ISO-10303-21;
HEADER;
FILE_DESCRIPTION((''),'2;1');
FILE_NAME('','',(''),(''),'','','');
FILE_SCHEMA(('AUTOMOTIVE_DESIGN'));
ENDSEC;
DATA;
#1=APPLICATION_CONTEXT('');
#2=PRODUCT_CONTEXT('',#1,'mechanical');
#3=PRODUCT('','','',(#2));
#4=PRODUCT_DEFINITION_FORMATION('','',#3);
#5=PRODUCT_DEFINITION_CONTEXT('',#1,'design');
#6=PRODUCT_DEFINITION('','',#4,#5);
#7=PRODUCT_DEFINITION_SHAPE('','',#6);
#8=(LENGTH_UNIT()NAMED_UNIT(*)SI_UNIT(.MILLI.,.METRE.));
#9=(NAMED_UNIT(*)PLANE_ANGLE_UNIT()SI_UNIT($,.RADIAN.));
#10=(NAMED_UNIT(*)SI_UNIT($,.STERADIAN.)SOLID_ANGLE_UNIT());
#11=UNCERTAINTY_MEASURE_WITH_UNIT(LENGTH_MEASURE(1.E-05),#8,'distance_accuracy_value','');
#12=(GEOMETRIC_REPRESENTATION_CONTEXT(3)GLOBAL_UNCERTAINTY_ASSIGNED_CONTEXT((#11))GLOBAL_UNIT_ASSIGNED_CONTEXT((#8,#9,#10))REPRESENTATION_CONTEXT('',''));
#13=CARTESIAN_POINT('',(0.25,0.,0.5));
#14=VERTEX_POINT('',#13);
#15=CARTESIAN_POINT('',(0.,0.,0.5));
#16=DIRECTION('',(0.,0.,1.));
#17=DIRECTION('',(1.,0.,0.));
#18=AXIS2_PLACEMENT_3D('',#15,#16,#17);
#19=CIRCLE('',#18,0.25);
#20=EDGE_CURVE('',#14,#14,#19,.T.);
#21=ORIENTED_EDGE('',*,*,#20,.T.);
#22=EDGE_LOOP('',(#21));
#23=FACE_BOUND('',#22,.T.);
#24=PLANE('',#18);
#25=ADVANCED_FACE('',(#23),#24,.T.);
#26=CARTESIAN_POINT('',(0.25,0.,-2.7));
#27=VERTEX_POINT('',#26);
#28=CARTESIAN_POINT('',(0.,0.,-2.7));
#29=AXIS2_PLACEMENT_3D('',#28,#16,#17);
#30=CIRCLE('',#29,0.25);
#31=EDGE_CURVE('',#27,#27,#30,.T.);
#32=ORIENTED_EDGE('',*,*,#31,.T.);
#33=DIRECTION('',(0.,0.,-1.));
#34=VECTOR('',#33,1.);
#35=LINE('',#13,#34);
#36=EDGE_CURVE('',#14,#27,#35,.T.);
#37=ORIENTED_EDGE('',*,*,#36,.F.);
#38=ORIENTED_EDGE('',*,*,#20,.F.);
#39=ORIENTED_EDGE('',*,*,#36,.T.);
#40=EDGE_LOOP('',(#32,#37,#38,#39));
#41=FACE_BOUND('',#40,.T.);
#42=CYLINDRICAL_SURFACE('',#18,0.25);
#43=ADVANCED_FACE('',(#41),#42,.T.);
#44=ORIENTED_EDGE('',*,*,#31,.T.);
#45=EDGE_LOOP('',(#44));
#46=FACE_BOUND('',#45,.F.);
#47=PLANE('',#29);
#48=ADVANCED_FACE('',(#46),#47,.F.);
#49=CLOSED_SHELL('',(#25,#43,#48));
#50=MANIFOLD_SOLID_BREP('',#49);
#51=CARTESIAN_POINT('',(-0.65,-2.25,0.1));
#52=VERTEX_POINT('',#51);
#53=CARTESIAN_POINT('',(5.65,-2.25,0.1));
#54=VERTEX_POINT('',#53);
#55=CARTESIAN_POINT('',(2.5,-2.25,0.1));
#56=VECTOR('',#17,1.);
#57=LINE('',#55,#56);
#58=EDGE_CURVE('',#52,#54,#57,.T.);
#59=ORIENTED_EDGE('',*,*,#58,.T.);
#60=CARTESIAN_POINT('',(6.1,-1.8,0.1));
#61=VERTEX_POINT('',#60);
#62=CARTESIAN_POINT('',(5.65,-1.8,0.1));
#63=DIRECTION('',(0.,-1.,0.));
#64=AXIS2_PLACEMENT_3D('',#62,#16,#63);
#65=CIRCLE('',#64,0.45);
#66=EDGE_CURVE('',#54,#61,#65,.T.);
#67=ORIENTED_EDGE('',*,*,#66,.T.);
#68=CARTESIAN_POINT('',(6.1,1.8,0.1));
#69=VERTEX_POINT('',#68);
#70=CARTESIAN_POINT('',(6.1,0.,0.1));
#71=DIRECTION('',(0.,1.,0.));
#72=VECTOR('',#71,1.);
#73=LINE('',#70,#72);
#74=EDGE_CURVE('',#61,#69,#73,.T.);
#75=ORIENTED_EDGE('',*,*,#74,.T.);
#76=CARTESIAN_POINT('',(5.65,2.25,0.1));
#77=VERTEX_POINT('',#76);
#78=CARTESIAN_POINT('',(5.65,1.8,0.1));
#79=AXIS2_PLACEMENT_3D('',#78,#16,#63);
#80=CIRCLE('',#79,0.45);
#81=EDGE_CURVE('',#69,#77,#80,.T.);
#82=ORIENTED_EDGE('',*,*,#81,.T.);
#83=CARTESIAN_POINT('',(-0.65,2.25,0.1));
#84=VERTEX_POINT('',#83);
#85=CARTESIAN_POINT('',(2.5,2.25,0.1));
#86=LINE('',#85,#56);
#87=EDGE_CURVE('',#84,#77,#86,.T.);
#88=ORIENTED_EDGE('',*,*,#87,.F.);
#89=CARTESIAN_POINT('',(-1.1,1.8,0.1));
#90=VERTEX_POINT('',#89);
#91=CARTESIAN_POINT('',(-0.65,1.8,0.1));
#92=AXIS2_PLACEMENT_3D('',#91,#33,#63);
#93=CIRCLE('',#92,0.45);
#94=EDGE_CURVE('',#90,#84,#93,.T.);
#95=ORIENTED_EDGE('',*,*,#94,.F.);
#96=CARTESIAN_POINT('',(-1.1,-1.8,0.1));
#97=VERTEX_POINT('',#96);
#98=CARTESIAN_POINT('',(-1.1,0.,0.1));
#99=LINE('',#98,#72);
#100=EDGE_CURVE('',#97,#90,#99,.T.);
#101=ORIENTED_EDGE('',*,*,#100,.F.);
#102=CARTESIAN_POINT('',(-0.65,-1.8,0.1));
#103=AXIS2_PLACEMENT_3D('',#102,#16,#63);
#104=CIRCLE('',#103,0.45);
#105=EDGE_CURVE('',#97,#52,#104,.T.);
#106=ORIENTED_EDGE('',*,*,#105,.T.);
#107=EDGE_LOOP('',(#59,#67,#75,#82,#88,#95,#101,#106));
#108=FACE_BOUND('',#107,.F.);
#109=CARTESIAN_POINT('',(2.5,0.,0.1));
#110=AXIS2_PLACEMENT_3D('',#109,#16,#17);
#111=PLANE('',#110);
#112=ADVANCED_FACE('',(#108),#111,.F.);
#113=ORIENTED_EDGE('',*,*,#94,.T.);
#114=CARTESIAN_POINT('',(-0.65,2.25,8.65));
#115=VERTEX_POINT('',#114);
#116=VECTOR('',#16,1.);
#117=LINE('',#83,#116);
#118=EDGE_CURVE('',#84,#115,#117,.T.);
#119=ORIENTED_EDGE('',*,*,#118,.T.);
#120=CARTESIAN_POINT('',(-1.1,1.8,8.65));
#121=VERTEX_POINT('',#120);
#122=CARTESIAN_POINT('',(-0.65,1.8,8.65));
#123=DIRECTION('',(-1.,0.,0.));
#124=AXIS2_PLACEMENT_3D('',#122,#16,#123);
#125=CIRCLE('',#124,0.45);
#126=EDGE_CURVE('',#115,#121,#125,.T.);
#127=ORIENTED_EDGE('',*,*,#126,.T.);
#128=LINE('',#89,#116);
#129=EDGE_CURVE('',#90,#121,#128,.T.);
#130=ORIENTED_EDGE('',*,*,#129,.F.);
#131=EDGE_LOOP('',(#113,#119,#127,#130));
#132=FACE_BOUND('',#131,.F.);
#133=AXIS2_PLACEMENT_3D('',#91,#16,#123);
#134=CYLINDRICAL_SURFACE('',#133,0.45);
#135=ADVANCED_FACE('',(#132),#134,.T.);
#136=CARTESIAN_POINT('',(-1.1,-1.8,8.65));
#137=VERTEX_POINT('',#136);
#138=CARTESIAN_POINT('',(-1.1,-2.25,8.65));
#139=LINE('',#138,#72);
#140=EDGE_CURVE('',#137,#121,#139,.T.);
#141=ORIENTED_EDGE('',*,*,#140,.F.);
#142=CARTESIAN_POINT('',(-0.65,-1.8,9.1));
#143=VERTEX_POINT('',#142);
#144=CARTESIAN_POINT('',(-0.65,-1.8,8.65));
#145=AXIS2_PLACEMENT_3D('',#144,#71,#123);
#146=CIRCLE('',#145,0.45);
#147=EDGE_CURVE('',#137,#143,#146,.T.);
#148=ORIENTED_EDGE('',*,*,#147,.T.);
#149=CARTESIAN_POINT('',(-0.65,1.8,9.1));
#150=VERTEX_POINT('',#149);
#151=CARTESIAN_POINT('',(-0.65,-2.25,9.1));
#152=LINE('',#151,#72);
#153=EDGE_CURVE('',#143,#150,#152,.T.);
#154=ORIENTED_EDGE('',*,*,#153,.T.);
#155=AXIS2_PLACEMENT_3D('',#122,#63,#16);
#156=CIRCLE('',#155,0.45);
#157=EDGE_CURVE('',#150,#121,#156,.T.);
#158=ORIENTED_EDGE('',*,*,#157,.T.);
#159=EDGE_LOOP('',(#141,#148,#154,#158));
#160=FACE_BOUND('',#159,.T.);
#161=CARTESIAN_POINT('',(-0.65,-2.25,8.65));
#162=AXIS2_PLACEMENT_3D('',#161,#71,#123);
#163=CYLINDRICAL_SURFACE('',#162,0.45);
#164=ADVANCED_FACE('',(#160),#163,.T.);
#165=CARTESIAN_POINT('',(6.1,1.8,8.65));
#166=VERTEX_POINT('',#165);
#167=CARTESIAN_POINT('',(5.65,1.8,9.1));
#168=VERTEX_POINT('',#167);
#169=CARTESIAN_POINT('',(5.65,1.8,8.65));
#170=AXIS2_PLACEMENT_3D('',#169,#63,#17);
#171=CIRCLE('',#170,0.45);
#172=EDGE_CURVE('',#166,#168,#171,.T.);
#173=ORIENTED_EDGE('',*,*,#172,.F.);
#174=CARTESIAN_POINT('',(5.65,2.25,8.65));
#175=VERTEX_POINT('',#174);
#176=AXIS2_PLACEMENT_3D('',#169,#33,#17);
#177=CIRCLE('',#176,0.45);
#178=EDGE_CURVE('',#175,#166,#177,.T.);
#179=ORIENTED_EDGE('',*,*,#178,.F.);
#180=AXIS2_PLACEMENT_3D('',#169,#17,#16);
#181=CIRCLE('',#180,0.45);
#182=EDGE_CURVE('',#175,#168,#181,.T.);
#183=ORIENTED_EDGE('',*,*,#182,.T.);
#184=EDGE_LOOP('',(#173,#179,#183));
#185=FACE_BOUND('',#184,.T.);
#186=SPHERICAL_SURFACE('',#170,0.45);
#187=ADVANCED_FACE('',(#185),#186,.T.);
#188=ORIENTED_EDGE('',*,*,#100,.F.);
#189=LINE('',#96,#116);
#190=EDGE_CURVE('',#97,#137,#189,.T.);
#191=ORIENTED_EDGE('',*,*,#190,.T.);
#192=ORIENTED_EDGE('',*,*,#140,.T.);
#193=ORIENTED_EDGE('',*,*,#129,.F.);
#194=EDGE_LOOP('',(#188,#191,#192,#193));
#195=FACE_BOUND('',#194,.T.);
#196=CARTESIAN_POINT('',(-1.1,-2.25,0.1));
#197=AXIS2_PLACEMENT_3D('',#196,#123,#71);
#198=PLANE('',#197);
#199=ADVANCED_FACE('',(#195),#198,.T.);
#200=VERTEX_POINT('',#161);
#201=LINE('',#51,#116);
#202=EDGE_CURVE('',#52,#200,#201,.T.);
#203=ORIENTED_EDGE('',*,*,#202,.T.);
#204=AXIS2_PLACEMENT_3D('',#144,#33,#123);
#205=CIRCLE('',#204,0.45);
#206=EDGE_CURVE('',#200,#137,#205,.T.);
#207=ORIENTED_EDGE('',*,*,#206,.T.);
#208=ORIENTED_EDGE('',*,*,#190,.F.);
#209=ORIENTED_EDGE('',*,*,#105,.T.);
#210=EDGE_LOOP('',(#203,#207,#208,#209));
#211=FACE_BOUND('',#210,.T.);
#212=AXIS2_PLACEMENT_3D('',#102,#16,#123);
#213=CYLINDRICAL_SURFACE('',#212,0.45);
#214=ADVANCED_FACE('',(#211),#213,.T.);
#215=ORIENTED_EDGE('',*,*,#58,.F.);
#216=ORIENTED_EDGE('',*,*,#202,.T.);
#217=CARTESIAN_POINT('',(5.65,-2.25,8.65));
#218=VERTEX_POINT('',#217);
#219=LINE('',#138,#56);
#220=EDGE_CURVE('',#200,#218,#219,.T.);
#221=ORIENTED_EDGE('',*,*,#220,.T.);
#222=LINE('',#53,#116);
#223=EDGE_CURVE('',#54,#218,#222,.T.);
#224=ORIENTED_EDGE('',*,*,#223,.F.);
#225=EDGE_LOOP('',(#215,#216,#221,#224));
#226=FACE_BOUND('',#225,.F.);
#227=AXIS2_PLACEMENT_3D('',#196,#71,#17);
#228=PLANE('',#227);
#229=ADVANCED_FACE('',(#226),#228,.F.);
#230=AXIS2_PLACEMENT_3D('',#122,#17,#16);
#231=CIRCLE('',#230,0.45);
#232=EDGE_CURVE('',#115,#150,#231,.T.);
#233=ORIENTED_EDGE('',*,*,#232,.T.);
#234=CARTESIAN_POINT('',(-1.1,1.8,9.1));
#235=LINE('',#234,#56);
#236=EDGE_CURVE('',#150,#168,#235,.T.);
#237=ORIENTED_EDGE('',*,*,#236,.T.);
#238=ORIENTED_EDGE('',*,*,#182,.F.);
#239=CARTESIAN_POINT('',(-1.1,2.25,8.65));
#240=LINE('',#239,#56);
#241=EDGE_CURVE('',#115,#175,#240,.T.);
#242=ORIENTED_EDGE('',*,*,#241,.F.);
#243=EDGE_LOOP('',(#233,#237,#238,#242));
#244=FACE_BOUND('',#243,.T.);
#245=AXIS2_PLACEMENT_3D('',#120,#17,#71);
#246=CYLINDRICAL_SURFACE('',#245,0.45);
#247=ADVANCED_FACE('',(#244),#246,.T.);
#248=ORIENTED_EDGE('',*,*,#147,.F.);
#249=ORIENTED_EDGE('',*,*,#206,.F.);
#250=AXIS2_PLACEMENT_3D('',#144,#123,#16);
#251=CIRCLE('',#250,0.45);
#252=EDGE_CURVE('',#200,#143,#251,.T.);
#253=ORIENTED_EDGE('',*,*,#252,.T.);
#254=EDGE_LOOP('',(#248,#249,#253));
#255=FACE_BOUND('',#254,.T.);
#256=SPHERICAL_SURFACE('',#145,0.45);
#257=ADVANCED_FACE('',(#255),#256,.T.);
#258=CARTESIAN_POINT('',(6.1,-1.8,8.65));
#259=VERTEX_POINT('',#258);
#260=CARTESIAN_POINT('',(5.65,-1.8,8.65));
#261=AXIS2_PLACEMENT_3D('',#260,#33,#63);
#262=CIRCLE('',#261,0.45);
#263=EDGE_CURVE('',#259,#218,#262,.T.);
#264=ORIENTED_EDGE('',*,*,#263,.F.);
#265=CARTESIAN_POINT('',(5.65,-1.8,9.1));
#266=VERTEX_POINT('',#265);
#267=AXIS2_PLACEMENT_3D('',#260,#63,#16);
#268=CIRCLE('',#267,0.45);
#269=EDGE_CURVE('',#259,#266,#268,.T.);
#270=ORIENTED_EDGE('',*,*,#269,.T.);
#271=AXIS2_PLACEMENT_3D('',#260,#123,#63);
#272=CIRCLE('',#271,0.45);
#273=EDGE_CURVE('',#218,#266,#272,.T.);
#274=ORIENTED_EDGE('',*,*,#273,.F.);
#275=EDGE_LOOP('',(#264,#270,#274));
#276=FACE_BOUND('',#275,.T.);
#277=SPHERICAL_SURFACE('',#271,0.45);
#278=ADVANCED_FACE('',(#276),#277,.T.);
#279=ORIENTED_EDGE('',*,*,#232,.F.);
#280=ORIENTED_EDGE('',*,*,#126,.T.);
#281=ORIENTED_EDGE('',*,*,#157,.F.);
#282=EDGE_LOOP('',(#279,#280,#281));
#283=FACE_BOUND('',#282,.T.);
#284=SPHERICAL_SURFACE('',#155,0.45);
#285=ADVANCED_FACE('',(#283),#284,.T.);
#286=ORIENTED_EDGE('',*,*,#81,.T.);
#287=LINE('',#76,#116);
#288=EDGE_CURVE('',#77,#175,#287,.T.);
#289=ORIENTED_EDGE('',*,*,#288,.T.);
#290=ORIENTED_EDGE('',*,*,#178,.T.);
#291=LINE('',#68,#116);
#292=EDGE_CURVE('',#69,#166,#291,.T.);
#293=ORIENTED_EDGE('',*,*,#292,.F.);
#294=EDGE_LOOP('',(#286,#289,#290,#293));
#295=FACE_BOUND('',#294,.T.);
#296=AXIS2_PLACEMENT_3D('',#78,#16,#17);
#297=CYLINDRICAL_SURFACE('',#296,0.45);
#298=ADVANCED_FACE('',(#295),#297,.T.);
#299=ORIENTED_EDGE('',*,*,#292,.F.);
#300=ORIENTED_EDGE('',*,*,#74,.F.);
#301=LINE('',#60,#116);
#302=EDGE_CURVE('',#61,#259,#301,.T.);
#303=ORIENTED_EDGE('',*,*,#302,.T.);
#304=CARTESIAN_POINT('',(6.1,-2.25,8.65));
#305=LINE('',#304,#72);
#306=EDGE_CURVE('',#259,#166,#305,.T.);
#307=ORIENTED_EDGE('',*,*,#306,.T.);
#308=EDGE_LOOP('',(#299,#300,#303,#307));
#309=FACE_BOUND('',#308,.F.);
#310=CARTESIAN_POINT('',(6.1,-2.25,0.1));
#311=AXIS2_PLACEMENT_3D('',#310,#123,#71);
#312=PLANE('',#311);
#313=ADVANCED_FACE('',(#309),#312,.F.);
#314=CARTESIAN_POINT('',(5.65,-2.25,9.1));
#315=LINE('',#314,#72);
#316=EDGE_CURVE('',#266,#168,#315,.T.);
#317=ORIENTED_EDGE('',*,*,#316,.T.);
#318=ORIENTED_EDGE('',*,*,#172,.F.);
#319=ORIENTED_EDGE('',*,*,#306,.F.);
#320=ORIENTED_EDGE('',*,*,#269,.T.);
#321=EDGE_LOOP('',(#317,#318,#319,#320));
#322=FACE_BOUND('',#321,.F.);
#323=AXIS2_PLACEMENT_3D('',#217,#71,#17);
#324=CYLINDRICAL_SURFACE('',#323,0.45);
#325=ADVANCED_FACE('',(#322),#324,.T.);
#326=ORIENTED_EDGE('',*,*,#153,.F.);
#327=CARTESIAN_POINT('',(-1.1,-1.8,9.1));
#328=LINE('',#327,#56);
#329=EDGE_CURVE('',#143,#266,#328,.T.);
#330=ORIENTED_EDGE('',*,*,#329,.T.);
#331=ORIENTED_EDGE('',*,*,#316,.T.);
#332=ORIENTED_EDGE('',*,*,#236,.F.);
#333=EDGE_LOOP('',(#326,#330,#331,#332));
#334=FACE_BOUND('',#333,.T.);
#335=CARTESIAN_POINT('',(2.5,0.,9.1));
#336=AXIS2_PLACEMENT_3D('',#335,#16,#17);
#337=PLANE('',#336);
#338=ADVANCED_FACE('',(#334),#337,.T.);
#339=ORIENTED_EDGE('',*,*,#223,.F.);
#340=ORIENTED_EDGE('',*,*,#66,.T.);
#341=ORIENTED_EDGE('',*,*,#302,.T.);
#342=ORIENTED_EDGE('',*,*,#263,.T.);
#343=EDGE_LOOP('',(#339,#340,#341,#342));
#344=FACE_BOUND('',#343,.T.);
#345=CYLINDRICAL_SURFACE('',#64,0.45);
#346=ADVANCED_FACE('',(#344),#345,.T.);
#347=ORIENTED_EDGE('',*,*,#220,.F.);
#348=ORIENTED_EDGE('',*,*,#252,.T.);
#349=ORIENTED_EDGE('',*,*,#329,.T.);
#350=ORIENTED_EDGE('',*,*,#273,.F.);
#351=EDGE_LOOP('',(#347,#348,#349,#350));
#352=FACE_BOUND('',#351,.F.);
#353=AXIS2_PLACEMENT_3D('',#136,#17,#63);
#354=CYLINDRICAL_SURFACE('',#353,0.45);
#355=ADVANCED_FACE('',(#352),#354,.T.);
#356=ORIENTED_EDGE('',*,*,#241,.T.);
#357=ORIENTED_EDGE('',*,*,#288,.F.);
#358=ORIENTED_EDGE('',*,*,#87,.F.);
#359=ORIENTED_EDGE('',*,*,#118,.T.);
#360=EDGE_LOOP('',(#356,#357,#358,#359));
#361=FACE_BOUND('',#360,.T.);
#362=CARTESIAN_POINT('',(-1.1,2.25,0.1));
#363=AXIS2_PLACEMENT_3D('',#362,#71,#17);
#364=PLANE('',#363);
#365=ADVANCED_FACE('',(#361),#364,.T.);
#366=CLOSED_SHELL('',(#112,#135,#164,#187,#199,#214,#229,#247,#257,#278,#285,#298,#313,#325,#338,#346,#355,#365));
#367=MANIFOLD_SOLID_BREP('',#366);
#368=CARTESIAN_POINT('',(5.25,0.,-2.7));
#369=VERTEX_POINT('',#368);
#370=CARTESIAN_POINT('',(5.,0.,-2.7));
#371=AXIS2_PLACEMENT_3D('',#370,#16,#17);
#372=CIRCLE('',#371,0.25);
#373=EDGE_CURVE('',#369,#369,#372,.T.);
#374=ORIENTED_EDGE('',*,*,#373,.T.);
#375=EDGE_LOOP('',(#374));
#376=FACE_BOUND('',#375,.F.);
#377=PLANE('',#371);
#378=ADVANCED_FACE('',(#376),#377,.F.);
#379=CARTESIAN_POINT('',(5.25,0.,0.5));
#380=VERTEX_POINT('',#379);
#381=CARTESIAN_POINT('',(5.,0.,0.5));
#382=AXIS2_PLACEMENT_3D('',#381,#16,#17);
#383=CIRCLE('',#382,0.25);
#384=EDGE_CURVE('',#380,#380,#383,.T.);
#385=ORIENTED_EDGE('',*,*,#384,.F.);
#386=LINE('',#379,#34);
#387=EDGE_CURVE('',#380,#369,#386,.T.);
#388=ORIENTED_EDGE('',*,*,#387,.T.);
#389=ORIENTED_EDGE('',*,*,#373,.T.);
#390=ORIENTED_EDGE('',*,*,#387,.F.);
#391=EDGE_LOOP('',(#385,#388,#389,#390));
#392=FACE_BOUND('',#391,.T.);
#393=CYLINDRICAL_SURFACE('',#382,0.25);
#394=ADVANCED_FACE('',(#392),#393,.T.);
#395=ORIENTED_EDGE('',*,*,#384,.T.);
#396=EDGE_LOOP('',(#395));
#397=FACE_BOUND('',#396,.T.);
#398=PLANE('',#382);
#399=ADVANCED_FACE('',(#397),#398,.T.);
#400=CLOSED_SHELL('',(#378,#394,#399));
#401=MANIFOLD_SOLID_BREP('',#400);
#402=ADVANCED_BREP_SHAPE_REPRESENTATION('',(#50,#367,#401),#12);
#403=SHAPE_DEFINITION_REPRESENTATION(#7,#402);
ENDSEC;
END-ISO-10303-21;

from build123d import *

# Parameters (mm, degrees)
SKETCH_W     = 7.2
SKETCH_H     = 4.5
PAD_DEPTH    = 9
FILLET_R     = 0.45
SKETCH001_R  = 0.25
PAD001_DEPTH = 3.2


with BuildPart() as fillet_body:
    # Sketch → Pad (new body)
    with BuildSketch(Plane.XY.offset(0.1)):
        with Locations((2.5, 0)):
            Rectangle(SKETCH_W, SKETCH_H)
    extrude(amount=PAD_DEPTH)

    # Fillet
    fillet_edges = [fillet_body.edges().sort_by_distance(p)[0] for p in [
        (-1.1, 0, 9.1),
        (-1.1, -2.25, 4.6),
        (2.5, -2.25, 9.1),
        (6.1, -2.25, 4.6),
        (6.1, 0, 9.1),
        (6.1, 2.25, 4.6),
        (2.5, 2.25, 9.1),
        (-1.1, 2.25, 4.6),
    ]]
    fillet(fillet_edges, radius=FILLET_R)


with BuildPart() as pad001:
    # Sketch001 → Pad001 (new body)
    with BuildSketch(Plane.XY.offset(0.5)):
        Circle(SKETCH001_R)
        with Locations((5, 0)):
            Circle(SKETCH001_R)
    extrude(amount=-PAD001_DEPTH)


solid = Compound([fillet_body.part, pad001.part])
